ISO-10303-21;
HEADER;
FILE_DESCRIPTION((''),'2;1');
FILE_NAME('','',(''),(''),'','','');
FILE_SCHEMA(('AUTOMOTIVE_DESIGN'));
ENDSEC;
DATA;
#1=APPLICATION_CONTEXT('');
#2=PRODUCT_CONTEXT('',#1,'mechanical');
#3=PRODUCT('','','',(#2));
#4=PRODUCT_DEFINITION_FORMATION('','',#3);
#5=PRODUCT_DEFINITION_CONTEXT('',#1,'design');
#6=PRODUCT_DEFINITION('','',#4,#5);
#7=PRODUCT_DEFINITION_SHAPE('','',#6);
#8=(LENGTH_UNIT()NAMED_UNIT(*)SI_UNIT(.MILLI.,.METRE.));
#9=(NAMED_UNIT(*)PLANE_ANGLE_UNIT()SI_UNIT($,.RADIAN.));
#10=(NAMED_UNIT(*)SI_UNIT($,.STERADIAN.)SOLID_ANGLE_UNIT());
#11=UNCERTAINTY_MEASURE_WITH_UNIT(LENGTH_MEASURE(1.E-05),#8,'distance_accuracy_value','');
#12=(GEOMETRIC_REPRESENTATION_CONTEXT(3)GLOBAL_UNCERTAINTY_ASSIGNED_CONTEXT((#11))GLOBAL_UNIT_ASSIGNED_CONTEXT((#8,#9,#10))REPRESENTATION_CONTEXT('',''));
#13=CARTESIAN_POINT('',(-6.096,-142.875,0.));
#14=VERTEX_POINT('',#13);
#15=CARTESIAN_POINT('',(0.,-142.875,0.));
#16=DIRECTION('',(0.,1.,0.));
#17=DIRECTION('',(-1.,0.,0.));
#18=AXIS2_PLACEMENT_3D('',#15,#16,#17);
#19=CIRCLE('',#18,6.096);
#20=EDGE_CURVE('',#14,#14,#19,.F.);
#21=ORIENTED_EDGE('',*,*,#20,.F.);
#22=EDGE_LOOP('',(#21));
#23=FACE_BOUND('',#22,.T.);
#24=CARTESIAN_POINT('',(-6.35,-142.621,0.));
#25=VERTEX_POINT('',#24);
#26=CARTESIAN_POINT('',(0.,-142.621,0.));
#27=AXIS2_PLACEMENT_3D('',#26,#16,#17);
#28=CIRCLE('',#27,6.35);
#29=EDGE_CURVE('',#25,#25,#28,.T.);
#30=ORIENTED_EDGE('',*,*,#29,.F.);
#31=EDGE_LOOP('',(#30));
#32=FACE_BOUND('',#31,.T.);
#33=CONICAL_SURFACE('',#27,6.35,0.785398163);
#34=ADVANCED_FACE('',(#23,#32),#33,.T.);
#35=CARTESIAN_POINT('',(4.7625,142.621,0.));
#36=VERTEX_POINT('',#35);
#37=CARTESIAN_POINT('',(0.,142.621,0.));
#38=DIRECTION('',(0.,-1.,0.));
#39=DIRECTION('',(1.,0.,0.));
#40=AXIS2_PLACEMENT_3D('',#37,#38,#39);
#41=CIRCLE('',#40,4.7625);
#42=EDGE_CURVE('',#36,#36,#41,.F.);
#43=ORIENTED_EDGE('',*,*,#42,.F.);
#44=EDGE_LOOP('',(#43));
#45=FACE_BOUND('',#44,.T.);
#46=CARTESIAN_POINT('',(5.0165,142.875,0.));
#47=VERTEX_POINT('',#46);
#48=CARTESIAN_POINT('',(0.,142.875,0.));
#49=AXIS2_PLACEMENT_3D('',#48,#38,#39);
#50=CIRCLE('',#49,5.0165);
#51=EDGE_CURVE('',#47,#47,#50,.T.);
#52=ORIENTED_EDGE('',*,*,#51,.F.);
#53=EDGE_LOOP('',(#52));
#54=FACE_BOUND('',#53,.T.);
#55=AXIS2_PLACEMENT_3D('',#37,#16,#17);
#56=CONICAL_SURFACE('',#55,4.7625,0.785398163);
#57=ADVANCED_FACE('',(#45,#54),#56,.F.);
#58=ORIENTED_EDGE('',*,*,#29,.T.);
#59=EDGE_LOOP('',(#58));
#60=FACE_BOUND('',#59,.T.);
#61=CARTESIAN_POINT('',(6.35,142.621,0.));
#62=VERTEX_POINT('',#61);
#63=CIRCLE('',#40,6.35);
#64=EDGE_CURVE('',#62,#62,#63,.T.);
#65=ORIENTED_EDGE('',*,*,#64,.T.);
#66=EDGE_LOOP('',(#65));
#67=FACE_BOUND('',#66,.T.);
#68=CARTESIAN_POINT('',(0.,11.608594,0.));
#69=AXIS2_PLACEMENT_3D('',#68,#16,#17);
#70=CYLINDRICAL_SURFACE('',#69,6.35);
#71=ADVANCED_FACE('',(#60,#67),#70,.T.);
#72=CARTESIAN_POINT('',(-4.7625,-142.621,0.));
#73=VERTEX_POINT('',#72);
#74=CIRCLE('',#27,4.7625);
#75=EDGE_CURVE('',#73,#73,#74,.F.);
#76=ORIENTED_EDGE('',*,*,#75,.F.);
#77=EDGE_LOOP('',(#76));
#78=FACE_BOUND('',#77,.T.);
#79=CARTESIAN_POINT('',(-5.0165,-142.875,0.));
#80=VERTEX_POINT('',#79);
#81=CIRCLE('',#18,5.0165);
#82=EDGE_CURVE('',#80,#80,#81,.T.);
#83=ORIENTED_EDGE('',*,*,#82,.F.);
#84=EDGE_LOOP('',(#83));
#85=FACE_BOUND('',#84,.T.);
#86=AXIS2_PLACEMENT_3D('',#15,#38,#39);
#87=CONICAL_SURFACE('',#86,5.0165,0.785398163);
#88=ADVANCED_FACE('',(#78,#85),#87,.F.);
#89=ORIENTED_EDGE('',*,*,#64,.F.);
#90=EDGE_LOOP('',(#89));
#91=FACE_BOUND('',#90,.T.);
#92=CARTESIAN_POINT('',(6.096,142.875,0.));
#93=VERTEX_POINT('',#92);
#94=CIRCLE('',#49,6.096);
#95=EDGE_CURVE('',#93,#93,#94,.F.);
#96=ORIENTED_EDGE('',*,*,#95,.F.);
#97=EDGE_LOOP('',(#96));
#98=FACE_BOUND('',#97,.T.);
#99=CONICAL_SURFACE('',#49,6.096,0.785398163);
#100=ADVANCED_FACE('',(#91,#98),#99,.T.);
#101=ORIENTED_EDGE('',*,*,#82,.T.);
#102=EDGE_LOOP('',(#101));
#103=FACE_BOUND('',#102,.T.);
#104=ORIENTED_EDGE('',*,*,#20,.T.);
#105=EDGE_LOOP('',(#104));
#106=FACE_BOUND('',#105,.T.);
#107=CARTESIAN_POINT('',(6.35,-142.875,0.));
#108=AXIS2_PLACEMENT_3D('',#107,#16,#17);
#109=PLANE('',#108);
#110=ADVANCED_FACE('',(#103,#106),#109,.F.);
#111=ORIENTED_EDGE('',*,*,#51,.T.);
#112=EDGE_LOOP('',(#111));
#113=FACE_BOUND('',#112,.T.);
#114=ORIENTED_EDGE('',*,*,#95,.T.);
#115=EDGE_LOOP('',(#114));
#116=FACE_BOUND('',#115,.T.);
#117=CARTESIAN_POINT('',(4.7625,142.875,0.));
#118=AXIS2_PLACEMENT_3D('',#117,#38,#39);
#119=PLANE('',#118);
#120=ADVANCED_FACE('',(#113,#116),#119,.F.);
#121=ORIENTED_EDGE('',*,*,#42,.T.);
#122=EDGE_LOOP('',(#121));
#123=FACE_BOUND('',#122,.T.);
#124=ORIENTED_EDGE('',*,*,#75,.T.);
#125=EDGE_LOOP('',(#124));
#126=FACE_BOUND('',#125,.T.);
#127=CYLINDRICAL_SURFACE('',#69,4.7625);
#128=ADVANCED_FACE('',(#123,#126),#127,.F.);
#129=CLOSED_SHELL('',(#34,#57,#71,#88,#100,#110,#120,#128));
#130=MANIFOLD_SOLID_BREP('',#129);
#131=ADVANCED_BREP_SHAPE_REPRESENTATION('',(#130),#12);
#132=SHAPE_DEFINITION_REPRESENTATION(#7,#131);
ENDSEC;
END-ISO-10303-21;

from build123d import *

# Parameters (mm, degrees)
SKETCH1_W     = 1.5875
SKETCH1_H     = 285.75
CHAMFER1_SIZE = 0.254


with BuildPart() as part:
    # Sketch1 → Revolve1 (revolve)
    with BuildSketch(Plane.XY):
        with Locations((5.55625, 0)):
            Rectangle(SKETCH1_W, SKETCH1_H)
    revolve(axis=Axis((0, 11.60859375, 0), (0, -1, 0)))

    # Chamfer1
    chamfer1_edges = [part.edges().sort_by_distance(p)[0] for p in [
        (-4.7625, -142.875, 0),
        (-6.35, -142.875, 0),
        (-6.35, 142.875, 0),
        (-4.7625, 142.875, 0),
    ]]
    chamfer(chamfer1_edges, length=CHAMFER1_SIZE)


solid = part.part
